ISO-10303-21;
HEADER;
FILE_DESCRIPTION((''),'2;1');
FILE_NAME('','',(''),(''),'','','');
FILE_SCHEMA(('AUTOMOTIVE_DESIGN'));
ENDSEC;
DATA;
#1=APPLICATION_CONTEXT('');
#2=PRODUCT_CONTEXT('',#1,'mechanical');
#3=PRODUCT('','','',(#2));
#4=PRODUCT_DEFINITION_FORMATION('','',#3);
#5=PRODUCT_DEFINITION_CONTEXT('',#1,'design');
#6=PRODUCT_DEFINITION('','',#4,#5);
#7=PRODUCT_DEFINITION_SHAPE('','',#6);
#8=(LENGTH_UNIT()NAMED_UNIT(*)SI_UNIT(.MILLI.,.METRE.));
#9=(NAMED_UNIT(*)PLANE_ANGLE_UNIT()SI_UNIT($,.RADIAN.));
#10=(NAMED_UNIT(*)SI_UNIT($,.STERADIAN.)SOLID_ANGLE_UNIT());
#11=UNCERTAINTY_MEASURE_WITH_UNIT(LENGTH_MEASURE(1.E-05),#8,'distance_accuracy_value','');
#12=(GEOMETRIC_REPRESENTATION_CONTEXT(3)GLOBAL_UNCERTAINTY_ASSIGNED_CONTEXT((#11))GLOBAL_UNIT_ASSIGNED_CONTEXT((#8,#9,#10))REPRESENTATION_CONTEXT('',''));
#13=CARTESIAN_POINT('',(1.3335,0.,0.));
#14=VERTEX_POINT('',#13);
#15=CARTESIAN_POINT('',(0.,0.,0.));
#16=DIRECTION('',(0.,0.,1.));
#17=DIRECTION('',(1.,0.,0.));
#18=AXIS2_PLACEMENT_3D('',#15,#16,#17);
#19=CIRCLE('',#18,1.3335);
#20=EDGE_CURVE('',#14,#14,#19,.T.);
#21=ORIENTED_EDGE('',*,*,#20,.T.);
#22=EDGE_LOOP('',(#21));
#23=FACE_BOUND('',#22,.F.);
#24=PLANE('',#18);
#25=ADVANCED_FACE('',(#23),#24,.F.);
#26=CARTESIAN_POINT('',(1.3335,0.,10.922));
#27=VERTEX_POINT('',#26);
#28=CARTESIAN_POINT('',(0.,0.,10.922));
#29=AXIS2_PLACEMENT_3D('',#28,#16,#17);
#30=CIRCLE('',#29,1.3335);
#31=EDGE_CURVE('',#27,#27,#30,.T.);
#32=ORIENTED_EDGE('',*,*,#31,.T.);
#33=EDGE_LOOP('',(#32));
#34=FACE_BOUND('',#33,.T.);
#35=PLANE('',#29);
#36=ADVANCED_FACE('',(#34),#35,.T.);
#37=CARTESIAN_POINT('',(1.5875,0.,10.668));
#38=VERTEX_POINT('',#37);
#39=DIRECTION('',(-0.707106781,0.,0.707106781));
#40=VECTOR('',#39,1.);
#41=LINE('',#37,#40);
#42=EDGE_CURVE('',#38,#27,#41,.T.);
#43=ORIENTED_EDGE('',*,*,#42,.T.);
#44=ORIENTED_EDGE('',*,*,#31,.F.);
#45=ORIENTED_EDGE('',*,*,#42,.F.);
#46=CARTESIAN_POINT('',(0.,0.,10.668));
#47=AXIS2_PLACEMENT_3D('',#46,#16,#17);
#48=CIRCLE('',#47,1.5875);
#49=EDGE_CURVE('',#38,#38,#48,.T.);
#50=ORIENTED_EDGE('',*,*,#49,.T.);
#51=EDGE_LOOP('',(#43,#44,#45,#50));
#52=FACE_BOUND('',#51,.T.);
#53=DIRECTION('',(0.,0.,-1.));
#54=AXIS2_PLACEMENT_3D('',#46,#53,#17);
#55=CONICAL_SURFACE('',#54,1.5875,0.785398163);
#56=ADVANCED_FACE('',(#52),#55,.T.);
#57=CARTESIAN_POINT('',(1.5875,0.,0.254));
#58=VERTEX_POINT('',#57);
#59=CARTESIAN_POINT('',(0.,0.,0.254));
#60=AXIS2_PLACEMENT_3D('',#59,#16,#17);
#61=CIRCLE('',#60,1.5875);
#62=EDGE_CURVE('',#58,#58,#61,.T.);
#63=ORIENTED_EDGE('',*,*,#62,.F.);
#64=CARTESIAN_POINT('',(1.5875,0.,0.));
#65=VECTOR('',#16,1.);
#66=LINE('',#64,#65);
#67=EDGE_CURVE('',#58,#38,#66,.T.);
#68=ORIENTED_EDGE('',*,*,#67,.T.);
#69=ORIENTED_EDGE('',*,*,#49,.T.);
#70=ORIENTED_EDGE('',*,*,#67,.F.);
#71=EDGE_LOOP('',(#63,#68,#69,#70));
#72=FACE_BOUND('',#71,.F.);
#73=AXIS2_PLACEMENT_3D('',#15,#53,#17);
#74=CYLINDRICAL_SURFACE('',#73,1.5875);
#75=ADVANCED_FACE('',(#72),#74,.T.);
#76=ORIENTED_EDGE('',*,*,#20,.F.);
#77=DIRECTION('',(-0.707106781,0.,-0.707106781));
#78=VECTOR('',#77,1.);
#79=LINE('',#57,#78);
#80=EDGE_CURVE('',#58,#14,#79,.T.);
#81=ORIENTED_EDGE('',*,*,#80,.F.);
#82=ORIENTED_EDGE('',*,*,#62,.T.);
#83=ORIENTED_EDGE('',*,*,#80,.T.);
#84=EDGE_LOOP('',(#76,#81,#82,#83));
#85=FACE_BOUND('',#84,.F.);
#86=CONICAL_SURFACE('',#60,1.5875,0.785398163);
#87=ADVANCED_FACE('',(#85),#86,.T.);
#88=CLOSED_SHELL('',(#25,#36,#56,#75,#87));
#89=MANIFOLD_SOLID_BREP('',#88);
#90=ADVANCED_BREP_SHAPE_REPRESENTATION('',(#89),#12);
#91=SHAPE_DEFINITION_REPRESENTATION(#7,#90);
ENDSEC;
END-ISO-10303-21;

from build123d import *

# Parameters (mm, degrees)
F0_R     = 1.5875
F1_DEPTH = 10.922
F2_SIZE2 = 0.254
F2_SIZE  = 0.254


with BuildPart() as f1:
    # F0 (on Top) → F1 (new body)
    with BuildSketch(Plane.XY):
        Circle(F0_R)
    extrude(amount=F1_DEPTH)

    # F2
    f2_edges = [f1.edges().sort_by_distance(p)[0] for p in [
        (-1.5875, 0, 10.922),
        (-1.5875, 0, 0),
    ]]
    chamfer(f2_edges, length=F2_SIZE, length2=F2_SIZE2)


solid = f1.part
